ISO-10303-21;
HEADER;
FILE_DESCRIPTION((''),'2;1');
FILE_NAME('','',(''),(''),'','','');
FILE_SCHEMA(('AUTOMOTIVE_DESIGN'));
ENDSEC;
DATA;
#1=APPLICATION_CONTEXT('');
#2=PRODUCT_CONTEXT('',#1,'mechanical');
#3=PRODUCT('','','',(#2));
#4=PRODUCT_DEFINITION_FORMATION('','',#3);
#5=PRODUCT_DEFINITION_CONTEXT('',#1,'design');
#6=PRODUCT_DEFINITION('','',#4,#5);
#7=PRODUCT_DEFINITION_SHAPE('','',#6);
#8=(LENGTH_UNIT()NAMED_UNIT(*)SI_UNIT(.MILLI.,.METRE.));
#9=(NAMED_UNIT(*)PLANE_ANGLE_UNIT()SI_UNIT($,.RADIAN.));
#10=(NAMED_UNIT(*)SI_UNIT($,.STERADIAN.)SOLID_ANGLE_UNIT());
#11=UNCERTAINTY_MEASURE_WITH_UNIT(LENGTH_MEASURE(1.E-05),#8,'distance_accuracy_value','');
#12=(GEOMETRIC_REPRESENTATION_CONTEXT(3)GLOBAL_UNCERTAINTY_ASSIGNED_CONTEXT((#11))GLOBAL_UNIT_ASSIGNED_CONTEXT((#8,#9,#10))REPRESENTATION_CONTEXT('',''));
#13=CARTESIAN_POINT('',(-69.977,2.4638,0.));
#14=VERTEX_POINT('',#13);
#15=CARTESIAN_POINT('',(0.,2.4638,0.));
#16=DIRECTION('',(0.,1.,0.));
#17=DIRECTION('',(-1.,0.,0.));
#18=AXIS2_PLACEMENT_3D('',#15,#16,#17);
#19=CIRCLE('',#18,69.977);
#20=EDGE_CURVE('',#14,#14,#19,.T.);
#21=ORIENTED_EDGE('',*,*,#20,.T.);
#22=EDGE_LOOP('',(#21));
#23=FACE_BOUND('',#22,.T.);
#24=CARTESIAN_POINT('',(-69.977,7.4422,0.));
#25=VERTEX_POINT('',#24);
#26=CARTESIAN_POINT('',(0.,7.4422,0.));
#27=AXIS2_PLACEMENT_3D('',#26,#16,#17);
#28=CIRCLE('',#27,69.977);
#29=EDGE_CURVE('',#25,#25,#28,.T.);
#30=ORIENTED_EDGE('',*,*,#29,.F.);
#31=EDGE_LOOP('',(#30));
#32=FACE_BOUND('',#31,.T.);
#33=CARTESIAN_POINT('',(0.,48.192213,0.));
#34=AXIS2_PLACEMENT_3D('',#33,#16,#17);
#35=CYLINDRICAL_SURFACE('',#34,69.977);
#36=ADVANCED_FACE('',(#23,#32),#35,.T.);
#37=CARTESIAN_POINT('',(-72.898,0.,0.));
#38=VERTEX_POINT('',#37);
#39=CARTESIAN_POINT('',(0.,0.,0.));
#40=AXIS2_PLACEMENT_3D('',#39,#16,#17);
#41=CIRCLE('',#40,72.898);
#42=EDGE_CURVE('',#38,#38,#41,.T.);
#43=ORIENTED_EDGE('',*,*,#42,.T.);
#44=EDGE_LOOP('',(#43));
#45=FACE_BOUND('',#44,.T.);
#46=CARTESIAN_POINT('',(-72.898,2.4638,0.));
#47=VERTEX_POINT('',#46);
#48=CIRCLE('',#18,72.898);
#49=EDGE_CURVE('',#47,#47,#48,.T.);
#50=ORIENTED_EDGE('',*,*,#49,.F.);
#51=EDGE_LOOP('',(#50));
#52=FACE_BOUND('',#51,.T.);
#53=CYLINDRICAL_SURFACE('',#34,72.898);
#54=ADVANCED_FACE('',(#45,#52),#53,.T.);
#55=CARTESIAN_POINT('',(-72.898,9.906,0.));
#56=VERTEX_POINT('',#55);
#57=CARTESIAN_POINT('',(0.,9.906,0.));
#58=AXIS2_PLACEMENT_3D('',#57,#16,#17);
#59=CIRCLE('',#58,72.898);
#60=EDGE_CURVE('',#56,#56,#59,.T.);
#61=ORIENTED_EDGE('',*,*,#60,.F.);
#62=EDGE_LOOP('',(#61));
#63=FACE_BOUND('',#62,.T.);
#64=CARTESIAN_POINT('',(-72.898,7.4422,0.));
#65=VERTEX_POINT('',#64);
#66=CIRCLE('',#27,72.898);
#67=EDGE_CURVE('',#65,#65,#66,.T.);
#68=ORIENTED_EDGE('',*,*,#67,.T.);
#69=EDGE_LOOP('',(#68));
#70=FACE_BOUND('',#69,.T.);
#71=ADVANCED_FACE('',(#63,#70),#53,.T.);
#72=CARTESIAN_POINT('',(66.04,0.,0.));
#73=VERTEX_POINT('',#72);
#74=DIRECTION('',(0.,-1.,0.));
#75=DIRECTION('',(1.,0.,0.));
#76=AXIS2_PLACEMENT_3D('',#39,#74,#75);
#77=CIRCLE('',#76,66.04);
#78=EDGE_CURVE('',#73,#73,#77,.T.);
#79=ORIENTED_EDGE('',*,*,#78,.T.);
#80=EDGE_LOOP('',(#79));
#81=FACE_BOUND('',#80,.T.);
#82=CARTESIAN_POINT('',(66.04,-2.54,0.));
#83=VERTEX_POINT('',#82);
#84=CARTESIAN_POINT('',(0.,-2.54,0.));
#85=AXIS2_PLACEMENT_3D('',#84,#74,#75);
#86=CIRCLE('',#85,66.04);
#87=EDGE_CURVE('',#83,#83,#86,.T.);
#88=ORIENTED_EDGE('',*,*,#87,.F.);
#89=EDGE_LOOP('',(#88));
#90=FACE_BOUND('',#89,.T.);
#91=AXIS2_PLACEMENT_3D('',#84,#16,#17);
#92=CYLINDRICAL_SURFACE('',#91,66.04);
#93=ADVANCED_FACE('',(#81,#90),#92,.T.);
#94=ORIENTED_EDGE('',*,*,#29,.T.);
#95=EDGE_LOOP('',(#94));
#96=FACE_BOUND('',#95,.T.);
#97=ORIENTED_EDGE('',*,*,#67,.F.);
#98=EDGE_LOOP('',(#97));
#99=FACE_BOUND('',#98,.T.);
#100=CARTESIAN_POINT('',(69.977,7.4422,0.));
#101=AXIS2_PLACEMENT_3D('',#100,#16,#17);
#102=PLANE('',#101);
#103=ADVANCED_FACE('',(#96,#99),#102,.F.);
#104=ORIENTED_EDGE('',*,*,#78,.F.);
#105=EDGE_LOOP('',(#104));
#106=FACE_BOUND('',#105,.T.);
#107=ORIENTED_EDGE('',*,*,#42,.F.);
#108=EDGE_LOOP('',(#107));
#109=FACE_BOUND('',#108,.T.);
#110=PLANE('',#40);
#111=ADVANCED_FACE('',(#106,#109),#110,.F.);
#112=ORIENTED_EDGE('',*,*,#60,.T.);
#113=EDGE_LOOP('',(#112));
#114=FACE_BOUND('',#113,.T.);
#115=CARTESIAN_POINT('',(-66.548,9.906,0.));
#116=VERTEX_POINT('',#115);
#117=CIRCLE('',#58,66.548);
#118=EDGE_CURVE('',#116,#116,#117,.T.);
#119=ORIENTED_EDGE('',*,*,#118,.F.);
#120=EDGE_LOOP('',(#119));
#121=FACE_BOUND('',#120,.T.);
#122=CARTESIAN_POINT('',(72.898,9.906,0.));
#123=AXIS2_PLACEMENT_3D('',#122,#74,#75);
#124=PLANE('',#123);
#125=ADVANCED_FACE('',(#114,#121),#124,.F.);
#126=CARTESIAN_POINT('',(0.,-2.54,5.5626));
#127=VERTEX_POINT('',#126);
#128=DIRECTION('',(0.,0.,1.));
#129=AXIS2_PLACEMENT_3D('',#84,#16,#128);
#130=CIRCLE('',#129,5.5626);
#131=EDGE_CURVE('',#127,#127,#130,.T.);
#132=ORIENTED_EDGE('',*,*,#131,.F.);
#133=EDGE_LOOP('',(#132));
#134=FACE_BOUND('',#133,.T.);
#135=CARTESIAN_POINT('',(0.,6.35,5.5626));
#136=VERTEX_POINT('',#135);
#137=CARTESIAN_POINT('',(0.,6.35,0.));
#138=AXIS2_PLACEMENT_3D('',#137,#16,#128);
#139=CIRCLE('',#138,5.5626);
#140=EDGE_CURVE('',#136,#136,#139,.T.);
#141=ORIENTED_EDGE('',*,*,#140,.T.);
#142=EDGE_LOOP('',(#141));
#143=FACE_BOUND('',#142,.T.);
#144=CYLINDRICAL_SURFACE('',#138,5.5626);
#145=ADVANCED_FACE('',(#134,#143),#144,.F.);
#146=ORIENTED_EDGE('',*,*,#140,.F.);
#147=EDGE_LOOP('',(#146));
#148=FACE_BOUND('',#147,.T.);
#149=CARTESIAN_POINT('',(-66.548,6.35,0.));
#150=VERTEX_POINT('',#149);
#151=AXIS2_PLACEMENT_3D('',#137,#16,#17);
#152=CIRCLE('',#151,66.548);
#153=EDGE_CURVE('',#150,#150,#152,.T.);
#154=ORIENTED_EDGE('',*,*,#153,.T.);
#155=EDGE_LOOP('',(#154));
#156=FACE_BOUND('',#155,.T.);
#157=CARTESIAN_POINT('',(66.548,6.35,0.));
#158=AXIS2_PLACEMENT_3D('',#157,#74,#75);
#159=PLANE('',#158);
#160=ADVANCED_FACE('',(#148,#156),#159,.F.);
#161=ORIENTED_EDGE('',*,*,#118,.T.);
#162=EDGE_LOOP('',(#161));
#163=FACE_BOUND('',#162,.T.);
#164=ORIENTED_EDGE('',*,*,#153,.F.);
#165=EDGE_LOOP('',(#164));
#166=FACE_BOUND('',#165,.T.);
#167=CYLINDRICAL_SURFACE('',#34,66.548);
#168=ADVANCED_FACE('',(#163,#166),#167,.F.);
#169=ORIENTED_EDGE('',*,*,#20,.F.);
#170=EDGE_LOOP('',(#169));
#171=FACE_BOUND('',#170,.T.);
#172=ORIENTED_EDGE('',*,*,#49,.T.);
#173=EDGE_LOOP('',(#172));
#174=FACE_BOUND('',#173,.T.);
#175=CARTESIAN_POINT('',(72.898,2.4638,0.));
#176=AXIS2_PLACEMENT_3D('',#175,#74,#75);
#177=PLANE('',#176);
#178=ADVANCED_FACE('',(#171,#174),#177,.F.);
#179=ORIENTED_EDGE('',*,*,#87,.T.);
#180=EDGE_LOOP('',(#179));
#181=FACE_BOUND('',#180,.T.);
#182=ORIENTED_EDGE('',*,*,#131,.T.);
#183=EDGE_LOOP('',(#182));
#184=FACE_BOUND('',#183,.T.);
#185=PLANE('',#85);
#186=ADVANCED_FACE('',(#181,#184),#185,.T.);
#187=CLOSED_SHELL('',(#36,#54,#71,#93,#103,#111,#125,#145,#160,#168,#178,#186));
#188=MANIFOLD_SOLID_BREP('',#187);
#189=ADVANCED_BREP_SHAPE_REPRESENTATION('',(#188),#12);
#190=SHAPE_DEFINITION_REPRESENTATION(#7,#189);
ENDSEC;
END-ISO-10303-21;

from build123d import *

# Parameters (mm, degrees)
SKETCH6_R                        = 66.04
BOSS_EXTRUDE1_DEPTH              = 2.54
PIPE_TAP_DRILL_FOR_1_4_TAP_GN2_D = 11.1252


with BuildPart() as part:
    # Sketch1 → Revolve1 (revolve)
    with BuildSketch(Plane.XY, mode=Mode.PRIVATE) as revolve1_sk:
        Polygon((0, 0), (72.898, 0), (72.898, 2.4638), (69.977, 2.4638), (69.977, 7.4422), (72.898, 7.4422), (72.898, 9.906), (66.548, 9.906), (66.548, 6.35), (0, 6.35), align=None)
    revolve(revolve1_sk.sketch.rotate(Axis((0, 48.192213231, 0), (0, -1, 0)), 180), axis=Axis((0, 48.192213231, 0), (0, -1, 0)))

    # Sketch6 → Boss-Extrude1 (add)
    with BuildSketch(Plane.XZ):
        Circle(SKETCH6_R)
    extrude(amount=BOSS_EXTRUDE1_DEPTH)

    # Pipe Tap Drill for 1/4 Tap - GN2 (through all)
    with Locations(Plane(origin=(0, 6.35, 0), x_dir=(1, 0, 0), z_dir=(0, 1, 0))):
        with Locations((0, 0)):
            Hole(PIPE_TAP_DRILL_FOR_1_4_TAP_GN2_D / 2)


solid = part.part
